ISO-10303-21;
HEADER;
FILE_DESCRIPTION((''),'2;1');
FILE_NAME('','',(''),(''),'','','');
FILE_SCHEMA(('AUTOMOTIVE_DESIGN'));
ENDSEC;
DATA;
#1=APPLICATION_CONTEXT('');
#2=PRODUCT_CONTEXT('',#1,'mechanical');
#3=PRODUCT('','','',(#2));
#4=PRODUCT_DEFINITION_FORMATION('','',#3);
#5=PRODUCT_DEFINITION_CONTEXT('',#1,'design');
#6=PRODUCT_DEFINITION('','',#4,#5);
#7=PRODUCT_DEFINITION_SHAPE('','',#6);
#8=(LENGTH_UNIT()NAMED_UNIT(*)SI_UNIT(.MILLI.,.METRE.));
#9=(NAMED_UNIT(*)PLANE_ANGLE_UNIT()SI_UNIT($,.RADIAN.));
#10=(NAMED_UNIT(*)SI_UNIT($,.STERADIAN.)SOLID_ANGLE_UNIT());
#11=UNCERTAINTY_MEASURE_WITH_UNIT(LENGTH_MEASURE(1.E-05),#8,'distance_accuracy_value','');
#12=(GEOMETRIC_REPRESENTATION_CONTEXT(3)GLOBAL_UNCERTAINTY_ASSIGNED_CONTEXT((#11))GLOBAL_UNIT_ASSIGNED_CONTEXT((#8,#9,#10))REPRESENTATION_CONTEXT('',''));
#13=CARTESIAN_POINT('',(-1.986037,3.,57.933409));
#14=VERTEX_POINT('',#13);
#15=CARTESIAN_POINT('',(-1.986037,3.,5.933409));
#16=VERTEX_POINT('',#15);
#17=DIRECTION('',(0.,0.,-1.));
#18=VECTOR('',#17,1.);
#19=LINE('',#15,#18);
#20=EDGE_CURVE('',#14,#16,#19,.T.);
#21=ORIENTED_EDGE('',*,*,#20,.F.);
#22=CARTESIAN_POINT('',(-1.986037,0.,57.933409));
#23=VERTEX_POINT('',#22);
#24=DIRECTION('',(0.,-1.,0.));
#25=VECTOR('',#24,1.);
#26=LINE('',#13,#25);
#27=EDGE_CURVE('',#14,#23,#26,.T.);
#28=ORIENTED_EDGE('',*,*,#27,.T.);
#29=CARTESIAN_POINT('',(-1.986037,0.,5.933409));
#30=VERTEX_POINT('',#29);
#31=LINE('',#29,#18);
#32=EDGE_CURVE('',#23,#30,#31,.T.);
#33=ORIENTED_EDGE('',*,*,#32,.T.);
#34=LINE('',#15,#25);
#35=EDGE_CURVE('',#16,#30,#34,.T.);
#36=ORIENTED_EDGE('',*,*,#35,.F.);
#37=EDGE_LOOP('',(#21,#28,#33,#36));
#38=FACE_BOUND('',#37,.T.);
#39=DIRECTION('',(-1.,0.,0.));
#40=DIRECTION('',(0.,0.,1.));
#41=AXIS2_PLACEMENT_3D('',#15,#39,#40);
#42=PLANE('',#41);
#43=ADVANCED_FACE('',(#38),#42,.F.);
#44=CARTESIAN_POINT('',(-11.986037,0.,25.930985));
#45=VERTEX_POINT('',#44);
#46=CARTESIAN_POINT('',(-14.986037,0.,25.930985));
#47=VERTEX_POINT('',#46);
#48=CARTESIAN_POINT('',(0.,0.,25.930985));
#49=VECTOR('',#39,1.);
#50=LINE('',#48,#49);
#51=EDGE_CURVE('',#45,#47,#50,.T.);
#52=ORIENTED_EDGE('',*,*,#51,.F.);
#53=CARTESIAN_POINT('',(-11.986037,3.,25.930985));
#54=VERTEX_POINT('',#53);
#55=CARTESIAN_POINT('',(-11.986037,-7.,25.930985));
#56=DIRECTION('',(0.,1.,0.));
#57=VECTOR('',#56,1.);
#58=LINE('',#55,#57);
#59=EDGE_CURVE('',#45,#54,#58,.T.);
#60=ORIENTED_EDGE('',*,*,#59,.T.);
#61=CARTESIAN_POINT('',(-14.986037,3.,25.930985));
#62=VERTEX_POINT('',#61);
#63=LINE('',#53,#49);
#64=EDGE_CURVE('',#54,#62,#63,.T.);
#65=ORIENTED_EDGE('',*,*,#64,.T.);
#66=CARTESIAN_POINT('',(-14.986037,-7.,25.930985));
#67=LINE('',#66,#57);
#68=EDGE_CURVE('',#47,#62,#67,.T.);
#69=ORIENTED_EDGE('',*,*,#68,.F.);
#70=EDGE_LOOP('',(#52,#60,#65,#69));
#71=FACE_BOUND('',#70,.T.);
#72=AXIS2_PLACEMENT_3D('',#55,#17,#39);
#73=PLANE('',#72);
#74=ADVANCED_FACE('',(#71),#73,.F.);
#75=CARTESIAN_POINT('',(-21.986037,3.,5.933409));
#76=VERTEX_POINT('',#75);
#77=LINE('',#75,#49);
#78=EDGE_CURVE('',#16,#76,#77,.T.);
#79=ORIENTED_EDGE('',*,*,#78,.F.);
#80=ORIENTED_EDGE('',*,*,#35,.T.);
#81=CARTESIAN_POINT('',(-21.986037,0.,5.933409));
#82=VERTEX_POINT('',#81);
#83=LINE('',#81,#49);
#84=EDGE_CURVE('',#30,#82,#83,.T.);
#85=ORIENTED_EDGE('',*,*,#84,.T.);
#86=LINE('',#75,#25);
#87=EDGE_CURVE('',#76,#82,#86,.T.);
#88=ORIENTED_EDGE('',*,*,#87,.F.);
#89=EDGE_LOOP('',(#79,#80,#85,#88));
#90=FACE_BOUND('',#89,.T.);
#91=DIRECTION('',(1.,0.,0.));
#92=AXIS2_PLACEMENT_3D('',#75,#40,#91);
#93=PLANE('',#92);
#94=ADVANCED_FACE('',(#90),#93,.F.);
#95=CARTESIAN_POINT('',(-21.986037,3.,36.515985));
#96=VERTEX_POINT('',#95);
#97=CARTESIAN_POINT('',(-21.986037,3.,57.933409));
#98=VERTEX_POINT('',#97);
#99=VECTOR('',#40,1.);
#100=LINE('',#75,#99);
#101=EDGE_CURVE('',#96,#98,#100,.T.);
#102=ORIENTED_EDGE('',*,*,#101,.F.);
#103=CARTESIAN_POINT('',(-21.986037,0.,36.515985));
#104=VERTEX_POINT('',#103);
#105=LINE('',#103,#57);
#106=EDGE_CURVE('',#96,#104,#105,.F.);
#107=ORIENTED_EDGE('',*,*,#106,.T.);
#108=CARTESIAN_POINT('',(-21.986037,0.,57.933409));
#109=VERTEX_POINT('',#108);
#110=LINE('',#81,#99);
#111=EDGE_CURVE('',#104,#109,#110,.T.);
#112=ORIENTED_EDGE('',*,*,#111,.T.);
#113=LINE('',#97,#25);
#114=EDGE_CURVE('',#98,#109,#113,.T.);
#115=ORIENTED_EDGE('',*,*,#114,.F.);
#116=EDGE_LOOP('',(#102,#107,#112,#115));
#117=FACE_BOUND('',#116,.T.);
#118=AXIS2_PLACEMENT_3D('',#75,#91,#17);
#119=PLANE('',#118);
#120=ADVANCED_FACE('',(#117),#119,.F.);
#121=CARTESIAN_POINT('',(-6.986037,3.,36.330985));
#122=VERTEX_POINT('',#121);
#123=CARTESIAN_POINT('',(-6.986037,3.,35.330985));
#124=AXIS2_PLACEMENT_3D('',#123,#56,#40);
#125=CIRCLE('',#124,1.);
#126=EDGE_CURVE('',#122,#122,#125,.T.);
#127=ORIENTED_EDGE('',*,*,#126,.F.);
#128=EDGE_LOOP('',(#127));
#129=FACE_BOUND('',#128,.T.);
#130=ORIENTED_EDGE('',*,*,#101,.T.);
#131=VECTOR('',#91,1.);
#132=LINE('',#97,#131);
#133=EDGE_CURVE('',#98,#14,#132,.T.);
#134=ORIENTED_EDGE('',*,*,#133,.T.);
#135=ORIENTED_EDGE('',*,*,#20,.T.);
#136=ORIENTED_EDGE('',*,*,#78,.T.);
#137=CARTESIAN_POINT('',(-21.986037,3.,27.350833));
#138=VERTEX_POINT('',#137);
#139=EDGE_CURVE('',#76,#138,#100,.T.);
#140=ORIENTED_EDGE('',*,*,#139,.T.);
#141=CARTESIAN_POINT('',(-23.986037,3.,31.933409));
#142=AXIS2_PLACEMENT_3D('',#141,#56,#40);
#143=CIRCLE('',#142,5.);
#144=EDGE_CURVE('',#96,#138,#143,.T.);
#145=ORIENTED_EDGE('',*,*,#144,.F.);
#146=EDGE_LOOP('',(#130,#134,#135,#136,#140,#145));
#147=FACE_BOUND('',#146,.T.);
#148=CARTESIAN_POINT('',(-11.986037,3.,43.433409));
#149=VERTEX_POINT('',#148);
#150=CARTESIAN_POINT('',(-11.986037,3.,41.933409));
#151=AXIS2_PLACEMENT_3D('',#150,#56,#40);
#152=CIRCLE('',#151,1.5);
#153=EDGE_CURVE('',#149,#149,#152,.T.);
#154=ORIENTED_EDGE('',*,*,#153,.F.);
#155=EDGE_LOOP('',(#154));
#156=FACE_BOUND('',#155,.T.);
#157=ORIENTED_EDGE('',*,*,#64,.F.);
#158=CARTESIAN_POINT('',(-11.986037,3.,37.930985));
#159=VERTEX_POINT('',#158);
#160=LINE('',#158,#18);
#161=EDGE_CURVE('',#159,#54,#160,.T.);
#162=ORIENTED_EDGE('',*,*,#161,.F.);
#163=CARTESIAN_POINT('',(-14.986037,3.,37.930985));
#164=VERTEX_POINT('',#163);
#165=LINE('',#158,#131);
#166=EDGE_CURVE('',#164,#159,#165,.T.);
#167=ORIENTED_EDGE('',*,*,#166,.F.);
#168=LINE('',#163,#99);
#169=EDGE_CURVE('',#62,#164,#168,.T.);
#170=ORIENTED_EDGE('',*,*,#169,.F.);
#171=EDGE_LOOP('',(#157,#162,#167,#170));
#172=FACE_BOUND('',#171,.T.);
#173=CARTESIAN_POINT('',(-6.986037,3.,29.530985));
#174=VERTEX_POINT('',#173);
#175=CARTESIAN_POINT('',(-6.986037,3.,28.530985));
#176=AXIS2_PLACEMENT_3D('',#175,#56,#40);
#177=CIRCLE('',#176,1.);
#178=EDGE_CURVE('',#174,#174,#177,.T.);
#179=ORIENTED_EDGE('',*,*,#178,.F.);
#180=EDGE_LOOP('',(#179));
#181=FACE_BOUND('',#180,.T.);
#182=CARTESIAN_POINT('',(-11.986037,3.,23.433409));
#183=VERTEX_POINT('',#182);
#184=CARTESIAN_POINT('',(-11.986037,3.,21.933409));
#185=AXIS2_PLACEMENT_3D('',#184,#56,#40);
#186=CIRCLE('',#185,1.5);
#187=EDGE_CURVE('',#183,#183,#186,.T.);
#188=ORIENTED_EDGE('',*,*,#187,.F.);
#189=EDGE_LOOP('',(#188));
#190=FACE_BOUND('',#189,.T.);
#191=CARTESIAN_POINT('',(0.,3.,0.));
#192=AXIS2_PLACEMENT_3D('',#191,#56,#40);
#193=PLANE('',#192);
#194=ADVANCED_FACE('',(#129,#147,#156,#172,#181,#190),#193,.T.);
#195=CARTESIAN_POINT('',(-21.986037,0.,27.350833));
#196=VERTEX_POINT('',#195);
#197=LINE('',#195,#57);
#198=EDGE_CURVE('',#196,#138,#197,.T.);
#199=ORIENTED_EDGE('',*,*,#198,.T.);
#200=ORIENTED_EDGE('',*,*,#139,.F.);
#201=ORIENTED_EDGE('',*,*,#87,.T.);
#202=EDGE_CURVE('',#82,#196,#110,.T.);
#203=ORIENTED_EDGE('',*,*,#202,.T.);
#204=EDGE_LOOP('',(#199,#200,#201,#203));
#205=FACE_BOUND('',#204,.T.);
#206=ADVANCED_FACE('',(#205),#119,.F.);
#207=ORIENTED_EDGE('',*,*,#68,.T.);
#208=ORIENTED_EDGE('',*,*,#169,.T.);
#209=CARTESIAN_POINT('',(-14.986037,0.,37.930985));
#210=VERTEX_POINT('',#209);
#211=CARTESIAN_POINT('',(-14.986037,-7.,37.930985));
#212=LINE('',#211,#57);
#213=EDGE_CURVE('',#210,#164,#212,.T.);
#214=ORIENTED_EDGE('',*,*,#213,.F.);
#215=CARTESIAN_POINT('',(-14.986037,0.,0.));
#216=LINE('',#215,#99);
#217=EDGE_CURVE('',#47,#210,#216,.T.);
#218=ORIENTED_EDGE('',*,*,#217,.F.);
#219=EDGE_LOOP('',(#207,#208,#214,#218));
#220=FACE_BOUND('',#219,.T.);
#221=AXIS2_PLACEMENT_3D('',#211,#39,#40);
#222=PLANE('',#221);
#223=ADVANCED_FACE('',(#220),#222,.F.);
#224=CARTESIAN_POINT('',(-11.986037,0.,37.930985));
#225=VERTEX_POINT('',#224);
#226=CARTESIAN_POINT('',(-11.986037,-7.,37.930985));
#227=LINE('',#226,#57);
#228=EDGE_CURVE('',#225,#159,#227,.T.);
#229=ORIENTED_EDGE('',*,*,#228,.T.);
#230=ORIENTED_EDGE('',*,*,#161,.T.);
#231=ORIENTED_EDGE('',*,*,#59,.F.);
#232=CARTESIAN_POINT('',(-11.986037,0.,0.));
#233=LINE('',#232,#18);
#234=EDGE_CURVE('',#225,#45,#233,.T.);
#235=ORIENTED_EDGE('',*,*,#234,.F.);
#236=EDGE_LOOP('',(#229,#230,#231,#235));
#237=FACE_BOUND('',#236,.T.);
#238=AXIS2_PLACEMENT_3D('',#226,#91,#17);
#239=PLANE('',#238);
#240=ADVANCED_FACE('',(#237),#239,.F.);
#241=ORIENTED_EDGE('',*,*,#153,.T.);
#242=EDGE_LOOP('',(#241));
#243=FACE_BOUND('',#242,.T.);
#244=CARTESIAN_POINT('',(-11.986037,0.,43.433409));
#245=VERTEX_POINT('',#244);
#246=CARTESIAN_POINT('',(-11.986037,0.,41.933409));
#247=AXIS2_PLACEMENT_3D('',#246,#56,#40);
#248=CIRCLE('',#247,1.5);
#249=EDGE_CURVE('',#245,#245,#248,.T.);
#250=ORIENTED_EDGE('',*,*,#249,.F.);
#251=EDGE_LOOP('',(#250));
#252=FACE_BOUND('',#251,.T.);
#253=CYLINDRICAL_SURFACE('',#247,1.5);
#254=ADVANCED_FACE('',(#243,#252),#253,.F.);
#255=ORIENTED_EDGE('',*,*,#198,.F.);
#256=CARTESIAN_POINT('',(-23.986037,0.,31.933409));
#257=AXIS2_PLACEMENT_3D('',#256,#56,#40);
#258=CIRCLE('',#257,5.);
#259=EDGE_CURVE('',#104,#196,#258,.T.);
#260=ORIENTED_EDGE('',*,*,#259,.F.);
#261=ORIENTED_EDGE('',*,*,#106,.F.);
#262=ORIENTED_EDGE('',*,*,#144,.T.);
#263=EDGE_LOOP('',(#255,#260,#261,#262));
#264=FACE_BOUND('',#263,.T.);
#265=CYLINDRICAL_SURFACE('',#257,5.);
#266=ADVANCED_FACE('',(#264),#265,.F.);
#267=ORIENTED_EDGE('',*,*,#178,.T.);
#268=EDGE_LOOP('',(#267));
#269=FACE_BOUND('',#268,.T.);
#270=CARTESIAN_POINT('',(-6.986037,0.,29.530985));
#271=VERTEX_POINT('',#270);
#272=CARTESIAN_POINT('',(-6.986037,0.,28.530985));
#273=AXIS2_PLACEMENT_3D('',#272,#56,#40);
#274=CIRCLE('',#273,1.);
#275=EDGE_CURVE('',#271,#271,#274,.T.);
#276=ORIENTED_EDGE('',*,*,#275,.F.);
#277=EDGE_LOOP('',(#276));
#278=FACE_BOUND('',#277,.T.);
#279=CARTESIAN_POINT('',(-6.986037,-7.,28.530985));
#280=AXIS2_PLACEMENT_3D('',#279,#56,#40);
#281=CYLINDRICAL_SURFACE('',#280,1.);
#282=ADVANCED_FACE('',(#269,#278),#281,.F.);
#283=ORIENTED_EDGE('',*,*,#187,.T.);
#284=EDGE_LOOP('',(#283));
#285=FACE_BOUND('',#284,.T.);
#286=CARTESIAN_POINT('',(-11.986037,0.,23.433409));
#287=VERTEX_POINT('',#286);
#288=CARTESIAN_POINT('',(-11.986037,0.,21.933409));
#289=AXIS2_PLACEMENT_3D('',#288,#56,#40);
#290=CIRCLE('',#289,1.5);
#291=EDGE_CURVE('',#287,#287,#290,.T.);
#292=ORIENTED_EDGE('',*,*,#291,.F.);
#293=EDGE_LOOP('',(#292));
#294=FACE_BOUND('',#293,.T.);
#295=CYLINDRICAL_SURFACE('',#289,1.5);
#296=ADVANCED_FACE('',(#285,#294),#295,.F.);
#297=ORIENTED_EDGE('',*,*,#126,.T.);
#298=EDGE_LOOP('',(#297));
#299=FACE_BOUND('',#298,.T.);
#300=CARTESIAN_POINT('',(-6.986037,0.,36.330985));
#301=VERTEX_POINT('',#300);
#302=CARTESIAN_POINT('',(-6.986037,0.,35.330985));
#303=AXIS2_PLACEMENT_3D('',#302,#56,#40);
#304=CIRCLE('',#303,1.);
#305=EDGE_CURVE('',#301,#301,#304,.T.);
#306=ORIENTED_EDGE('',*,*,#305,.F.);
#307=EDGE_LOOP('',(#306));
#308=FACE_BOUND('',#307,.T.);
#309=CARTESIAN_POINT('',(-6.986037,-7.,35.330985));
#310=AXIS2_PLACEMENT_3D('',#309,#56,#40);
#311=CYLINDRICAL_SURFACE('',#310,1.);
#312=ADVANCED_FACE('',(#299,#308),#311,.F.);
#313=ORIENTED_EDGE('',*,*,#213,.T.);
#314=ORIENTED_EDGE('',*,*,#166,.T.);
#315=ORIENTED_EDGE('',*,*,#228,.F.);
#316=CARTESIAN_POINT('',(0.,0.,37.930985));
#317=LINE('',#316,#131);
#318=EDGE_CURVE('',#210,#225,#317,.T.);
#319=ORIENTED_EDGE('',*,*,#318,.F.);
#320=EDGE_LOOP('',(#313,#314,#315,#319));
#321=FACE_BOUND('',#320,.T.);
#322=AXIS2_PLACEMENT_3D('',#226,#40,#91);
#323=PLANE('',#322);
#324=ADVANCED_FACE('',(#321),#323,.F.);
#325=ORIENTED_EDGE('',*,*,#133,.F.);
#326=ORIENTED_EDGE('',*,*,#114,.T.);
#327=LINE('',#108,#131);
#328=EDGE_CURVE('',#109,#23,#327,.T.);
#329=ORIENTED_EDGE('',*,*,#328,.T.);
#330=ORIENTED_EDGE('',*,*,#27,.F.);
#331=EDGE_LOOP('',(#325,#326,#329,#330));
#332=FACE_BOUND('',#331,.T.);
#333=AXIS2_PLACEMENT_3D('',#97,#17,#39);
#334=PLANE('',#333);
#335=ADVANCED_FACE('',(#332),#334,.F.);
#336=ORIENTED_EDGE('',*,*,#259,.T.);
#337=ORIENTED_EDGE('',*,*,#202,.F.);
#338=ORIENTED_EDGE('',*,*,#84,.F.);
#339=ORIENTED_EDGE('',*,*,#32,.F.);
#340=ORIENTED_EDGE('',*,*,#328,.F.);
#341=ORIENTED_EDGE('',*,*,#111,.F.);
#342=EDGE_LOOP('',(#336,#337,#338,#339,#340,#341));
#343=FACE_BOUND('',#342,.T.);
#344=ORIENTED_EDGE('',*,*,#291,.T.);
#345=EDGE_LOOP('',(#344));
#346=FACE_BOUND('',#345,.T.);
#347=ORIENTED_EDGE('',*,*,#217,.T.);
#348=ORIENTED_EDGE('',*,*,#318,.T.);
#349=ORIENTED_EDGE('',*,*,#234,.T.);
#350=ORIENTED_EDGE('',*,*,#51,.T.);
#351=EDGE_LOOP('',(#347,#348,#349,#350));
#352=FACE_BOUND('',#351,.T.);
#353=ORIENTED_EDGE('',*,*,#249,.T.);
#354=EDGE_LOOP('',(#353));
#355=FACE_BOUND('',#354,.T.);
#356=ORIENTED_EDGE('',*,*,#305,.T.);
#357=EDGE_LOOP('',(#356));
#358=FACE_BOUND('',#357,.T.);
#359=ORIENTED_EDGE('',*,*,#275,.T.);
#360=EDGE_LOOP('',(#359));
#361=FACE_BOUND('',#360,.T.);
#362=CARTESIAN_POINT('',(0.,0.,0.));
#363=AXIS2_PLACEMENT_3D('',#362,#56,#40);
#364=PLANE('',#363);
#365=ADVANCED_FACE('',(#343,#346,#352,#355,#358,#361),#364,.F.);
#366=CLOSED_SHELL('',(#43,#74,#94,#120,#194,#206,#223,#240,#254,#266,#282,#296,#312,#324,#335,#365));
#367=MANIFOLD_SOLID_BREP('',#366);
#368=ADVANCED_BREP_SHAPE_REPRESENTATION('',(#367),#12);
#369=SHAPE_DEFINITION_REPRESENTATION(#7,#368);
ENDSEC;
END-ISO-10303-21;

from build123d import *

# Parameters (mm, degrees)
ESQUISSE1_W             = 20
ESQUISSE1_H             = 52
BOSS_EXTRU_1_DEPTH      = 3
ESQUISSE2_R             = 1.5
ENL_V_MAT_EXTRU_1_DEPTH = 3
ESQUISSE3_R             = 5
ENL_V_MAT_EXTRU_2_DEPTH = 3
ESQUISSE4_W             = 3
ESQUISSE4_H             = 12
ENL_V_MAT_EXTRU_3_DEPTH = 10
ESQUISSE5_R             = 1
ENL_V_MAT_EXTRU_5_DEPTH = 10


with BuildPart() as part:
    # Esquisse1 → Boss.-Extru.1 (new body)
    with BuildSketch(Plane(origin=(0, 0, 0), x_dir=(1, 0, 0), z_dir=(0, 1, 0))):
        with Locations((-11.986036915, -31.933409069)):
            Rectangle(ESQUISSE1_W, ESQUISSE1_H)
    extrude(amount=BOSS_EXTRU_1_DEPTH)

    # Esquisse2 → Enlèv. mat.-Extru.1 (cut)
    with BuildSketch(Plane(origin=(0, 3, 0), x_dir=(1, 0, 0), z_dir=(0, 1, 0))):
        with Locations((-11.986036915, -41.933409069)):
            Circle(ESQUISSE2_R)
        with Locations((-11.986036915, -21.933409069)):
            Circle(ESQUISSE2_R)
    extrude(amount=-ENL_V_MAT_EXTRU_1_DEPTH, mode=Mode.SUBTRACT)

    # Esquisse3 → Enlèv. mat.-Extru.2 (cut)
    with BuildSketch(Plane(origin=(0, 3, 0), x_dir=(1, 0, 0), z_dir=(0, 1, 0))):
        with Locations((-23.986036915, -31.933409069)):
            Circle(ESQUISSE3_R)
    extrude(amount=-ENL_V_MAT_EXTRU_2_DEPTH, mode=Mode.SUBTRACT)

    # Esquisse4 → Enlèv. mat.-Extru.3 (cut)
    with BuildSketch(Plane(origin=(0, 3, 0), x_dir=(1, 0, 0), z_dir=(0, 1, 0))):
        with Locations((-13.486036915, -31.930984764)):
            Rectangle(ESQUISSE4_W, ESQUISSE4_H)
    extrude(amount=-ENL_V_MAT_EXTRU_3_DEPTH, mode=Mode.SUBTRACT)

    # Esquisse5 → Enlèv. mat.-Extru.5 (cut)
    with BuildSketch(Plane(origin=(0, 3, 0), x_dir=(1, 0, 0), z_dir=(0, 1, 0))):
        with Locations((-6.986036915, -35.330984764)):
            Circle(ESQUISSE5_R)
        with Locations((-6.986036915, -28.530984764)):
            Circle(ESQUISSE5_R)
    extrude(amount=-ENL_V_MAT_EXTRU_5_DEPTH, mode=Mode.SUBTRACT)


solid = part.part
